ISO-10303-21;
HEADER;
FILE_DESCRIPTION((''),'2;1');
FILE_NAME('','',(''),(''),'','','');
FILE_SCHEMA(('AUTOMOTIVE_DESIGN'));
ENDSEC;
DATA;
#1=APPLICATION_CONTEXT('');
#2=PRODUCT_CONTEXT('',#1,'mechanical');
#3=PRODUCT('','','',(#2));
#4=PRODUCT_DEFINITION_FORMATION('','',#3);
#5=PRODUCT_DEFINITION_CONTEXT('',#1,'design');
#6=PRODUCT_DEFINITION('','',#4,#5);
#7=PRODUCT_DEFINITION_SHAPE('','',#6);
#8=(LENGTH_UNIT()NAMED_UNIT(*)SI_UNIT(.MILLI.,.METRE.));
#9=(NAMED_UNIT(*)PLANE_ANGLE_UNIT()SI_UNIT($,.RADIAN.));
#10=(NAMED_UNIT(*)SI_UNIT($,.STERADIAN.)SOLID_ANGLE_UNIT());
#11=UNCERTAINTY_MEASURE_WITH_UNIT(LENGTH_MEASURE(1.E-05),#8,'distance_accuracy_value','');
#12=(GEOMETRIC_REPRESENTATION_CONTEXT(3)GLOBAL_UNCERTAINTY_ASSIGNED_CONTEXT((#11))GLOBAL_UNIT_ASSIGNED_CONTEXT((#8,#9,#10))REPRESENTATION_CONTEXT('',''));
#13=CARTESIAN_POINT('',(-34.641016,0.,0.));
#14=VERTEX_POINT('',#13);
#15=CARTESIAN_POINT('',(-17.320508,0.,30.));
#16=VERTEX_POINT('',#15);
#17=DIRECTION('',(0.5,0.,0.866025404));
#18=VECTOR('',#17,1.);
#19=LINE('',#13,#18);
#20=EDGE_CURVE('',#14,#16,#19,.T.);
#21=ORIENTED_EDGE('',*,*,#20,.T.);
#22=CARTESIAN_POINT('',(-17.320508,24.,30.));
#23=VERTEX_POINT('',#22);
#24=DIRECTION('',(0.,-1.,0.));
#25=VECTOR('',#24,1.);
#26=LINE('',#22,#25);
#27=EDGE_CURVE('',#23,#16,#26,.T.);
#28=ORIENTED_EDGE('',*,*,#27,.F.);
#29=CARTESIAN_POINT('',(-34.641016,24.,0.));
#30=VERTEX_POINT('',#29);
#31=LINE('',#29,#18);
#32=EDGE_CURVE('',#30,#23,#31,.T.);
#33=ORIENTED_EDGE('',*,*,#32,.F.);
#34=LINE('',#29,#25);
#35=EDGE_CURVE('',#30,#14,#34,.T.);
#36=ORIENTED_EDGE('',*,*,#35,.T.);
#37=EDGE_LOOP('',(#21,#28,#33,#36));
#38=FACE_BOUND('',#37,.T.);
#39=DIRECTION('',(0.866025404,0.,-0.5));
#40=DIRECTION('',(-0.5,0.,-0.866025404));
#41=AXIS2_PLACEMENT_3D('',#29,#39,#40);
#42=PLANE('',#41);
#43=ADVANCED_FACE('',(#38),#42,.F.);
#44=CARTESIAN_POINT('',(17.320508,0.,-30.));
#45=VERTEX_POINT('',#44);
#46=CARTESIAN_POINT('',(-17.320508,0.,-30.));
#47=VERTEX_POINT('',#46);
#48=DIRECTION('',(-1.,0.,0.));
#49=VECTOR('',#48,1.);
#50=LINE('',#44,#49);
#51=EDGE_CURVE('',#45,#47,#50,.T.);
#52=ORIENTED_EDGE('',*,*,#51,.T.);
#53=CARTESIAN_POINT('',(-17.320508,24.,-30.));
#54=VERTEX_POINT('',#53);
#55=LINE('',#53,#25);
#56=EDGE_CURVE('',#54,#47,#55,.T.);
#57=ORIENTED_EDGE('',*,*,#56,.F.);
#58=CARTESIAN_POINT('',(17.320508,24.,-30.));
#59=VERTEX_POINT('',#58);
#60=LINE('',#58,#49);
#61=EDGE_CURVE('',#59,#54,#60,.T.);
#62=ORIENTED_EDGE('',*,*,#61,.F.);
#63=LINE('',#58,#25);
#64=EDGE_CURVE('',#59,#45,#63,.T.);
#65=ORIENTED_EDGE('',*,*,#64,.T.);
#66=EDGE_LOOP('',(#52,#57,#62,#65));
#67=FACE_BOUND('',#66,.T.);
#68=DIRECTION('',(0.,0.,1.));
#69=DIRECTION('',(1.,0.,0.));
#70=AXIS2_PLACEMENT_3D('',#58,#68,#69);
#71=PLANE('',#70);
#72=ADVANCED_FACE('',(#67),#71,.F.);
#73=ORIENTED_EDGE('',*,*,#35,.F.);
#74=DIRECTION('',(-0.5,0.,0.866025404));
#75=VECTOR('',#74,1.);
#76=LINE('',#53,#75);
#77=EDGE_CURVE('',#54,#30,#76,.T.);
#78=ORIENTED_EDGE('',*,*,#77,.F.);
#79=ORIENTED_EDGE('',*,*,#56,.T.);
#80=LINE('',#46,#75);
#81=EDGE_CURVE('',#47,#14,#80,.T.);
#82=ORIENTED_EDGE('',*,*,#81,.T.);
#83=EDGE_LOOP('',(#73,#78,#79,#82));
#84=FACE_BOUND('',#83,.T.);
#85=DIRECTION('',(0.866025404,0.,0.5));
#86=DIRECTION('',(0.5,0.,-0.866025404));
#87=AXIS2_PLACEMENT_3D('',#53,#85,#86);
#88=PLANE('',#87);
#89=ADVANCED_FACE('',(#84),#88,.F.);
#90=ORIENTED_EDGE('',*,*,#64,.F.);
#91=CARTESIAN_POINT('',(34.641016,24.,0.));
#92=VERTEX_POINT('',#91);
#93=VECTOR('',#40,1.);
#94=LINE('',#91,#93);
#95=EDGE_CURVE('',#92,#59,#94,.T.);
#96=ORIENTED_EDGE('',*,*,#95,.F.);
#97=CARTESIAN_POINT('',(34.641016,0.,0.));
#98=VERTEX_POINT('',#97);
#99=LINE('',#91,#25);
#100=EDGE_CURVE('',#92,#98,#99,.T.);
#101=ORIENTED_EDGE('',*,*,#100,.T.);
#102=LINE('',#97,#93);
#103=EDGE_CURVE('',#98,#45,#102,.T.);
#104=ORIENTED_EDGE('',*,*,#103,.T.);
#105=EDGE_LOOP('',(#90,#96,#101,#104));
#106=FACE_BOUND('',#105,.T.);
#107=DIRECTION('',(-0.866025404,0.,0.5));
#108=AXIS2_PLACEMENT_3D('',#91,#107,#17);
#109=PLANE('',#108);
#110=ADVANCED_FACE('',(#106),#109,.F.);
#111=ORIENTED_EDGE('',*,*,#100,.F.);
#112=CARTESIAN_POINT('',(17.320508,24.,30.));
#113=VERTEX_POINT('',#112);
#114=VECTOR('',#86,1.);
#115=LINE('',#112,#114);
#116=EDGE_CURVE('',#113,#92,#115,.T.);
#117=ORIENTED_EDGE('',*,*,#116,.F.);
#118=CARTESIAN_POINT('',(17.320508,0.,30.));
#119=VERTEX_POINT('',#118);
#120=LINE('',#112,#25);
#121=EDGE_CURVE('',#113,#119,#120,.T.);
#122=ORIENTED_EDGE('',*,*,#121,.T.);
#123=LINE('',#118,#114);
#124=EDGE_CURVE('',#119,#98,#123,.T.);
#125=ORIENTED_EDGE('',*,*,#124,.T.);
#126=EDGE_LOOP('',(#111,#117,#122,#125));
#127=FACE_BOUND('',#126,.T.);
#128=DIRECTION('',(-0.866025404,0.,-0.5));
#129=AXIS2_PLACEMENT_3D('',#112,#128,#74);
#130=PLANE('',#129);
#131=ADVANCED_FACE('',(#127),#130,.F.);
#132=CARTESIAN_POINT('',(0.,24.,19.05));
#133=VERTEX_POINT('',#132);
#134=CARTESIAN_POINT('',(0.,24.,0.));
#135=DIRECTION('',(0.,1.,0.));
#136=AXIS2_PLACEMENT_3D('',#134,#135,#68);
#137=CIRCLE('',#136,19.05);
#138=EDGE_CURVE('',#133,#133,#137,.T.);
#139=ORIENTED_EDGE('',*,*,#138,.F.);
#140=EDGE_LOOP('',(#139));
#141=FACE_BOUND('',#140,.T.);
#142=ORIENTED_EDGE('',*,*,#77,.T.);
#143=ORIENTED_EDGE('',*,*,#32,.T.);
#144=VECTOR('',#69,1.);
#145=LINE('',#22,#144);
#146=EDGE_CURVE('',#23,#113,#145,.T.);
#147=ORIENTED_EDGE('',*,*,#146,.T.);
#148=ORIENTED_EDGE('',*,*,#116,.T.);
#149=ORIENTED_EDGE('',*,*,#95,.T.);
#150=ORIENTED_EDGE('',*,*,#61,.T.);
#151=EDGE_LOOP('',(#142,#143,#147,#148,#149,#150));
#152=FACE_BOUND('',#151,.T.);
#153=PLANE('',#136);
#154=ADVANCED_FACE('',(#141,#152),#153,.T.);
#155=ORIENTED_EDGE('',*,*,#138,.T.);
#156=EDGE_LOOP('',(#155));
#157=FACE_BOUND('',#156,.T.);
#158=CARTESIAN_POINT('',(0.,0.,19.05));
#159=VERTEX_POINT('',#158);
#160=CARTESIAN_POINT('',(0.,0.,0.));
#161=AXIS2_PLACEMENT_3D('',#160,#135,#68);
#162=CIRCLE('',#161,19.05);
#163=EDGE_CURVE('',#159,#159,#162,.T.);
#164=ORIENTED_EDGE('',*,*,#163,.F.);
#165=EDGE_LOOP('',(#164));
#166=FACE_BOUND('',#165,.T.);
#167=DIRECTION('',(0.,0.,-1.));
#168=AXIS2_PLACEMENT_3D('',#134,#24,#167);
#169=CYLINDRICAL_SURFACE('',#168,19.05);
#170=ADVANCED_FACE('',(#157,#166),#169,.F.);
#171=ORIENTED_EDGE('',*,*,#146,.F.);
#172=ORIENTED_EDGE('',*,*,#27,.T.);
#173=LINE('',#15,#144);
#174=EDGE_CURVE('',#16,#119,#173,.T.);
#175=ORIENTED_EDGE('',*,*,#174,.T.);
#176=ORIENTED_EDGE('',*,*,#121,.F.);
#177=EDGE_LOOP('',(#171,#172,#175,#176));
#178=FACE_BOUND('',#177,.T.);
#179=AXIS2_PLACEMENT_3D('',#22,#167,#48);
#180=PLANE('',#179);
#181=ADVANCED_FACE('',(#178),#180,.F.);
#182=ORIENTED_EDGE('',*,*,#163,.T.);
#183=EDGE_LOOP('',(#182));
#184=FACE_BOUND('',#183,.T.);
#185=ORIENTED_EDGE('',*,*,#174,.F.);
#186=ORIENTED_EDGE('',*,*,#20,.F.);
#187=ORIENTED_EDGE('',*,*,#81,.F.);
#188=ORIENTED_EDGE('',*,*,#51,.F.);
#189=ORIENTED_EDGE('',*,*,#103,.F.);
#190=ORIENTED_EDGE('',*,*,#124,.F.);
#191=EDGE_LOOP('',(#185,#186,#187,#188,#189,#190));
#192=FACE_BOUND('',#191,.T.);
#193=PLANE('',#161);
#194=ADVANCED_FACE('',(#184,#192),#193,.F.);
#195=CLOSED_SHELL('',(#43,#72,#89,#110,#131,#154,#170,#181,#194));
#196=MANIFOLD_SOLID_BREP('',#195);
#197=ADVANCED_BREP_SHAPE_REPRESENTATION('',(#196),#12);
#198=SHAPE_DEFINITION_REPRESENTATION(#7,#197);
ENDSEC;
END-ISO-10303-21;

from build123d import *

# Parameters (mm, degrees)
CROQUIS1_R              = 19.05
SALIENTE_EXTRUIR1_DEPTH = 24


with BuildPart() as part:
    # Croquis1 → Saliente-Extruir1 (new body)
    with BuildSketch(Plane(origin=(0, 0, 0), x_dir=(1, 0, 0), z_dir=(0, 1, 0))):
        Polygon((-34.641016151, 0), (-17.320508076, -30), (17.320508076, -30), (34.641016151, 0), (17.320508076, 30), (-17.320508076, 30), align=None)
        Circle(CROQUIS1_R, mode=Mode.SUBTRACT)
    extrude(amount=SALIENTE_EXTRUIR1_DEPTH)


solid = part.part
